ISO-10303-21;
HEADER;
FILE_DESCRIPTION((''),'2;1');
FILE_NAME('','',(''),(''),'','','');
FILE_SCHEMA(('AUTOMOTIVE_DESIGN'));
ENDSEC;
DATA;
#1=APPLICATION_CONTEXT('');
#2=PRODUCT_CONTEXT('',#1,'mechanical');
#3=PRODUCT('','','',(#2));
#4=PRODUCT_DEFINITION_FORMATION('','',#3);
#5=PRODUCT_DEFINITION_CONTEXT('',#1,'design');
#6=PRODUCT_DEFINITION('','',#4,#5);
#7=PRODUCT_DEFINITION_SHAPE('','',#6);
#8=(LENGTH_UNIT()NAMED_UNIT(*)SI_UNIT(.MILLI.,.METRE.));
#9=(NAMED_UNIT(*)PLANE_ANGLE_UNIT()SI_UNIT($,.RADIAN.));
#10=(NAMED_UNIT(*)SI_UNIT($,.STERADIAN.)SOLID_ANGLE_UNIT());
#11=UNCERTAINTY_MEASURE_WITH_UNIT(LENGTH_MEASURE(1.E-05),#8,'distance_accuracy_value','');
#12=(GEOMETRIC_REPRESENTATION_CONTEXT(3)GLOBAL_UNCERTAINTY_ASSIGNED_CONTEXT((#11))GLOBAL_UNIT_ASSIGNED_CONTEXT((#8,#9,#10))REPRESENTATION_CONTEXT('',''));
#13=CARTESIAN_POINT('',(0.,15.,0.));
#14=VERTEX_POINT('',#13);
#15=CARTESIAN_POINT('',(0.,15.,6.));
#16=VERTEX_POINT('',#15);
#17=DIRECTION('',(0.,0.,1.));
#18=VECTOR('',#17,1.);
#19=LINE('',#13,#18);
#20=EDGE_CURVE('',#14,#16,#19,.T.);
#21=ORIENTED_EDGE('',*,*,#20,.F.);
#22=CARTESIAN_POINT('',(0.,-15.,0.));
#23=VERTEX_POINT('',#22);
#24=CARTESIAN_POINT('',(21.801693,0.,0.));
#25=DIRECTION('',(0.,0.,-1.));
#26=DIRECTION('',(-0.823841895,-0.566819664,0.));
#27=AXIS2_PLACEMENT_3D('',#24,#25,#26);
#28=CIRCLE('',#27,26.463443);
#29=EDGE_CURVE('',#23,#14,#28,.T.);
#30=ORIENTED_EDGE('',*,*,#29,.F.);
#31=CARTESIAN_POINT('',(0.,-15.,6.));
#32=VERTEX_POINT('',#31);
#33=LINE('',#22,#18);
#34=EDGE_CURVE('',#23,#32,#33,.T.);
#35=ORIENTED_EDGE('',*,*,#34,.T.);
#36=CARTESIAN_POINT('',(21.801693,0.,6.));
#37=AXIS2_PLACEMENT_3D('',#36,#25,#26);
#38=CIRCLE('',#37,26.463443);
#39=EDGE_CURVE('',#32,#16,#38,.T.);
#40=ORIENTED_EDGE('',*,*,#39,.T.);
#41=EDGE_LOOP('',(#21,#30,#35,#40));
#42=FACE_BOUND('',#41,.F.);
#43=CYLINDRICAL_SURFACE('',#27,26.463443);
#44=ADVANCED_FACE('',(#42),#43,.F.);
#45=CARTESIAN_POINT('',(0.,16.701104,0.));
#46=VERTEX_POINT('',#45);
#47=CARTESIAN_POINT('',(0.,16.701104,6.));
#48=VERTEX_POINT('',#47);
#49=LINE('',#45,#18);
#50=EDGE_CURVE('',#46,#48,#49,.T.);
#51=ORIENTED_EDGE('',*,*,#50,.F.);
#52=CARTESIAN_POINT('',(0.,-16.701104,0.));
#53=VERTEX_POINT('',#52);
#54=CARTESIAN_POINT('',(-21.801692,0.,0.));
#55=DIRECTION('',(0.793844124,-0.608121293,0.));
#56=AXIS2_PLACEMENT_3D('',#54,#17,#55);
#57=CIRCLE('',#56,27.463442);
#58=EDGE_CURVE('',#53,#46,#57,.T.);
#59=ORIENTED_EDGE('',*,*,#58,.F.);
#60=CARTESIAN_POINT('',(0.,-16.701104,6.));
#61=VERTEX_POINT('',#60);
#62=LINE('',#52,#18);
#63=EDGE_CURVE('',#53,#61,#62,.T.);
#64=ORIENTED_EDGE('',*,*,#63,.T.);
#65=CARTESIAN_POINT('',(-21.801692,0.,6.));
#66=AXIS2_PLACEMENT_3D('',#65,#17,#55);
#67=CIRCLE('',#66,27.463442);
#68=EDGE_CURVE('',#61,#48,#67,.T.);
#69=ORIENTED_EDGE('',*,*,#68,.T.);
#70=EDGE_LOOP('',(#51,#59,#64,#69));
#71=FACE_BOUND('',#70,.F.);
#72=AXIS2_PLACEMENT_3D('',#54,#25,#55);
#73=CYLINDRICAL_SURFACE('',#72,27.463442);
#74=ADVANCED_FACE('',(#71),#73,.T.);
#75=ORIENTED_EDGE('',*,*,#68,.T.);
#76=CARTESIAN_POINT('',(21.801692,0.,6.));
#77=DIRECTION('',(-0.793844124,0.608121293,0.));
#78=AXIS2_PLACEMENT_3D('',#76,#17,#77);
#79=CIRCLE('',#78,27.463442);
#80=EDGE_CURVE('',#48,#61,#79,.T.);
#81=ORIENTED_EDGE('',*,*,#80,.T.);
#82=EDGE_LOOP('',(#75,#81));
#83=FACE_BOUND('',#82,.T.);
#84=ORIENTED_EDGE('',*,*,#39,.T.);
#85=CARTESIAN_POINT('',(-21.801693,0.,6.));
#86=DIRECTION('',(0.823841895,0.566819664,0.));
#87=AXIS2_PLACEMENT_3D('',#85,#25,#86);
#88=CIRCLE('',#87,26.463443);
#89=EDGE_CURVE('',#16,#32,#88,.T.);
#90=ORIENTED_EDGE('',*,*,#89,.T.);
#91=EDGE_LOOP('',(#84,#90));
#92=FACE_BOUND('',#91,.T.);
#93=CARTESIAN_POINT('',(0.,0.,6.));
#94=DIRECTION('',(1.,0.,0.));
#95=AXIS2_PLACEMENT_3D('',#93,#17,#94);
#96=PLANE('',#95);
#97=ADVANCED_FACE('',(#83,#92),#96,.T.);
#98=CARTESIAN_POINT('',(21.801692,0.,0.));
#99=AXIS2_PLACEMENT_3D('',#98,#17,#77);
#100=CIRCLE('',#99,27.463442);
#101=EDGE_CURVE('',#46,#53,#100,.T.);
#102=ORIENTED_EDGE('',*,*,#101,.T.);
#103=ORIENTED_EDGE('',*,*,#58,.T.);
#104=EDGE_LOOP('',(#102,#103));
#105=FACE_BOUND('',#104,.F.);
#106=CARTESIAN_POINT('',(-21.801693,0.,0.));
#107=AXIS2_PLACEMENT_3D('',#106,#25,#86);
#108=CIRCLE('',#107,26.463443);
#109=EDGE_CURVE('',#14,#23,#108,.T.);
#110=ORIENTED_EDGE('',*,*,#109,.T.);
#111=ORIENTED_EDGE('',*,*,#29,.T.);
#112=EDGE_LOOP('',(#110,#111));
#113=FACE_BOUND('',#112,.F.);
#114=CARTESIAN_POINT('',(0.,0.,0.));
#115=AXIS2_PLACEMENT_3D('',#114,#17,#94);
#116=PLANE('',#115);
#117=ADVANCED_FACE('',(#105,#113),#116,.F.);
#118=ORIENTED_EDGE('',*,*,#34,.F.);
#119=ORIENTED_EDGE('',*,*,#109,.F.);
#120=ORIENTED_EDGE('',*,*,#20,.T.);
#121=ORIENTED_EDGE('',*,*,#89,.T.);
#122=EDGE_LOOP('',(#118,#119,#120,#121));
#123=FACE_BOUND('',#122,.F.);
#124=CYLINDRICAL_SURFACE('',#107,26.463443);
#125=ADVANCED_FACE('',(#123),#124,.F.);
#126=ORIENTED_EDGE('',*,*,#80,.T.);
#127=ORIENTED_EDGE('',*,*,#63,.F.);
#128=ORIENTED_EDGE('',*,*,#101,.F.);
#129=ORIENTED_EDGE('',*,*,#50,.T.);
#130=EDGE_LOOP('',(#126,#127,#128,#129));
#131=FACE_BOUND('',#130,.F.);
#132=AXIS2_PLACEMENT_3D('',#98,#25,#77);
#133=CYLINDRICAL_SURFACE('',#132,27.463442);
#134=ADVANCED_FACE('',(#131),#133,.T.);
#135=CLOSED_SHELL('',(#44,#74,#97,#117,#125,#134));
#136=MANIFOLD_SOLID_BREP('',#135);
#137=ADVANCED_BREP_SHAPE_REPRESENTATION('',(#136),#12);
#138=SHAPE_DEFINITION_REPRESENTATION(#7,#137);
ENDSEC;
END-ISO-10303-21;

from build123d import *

# Parameters (mm, degrees)
F1_DEPTH = 6


with BuildPart() as f1:
    # F0 (on Top) → F1 (new body)
    with BuildSketch(Plane.XY):
        with BuildLine():
            ThreePointArc((0, -16.701104), (5.66175, 0), (0, 16.701104))
            ThreePointArc((0, 16.701104), (-5.66175, 0), (0, -16.701104))
        make_face()
        with BuildLine():
            ThreePointArc((0, 15), (4.66175, 0), (0, -15))
            ThreePointArc((0, -15), (-4.66175, 0), (0, 15))
        make_face(mode=Mode.SUBTRACT)
    extrude(amount=F1_DEPTH)


solid = f1.part
